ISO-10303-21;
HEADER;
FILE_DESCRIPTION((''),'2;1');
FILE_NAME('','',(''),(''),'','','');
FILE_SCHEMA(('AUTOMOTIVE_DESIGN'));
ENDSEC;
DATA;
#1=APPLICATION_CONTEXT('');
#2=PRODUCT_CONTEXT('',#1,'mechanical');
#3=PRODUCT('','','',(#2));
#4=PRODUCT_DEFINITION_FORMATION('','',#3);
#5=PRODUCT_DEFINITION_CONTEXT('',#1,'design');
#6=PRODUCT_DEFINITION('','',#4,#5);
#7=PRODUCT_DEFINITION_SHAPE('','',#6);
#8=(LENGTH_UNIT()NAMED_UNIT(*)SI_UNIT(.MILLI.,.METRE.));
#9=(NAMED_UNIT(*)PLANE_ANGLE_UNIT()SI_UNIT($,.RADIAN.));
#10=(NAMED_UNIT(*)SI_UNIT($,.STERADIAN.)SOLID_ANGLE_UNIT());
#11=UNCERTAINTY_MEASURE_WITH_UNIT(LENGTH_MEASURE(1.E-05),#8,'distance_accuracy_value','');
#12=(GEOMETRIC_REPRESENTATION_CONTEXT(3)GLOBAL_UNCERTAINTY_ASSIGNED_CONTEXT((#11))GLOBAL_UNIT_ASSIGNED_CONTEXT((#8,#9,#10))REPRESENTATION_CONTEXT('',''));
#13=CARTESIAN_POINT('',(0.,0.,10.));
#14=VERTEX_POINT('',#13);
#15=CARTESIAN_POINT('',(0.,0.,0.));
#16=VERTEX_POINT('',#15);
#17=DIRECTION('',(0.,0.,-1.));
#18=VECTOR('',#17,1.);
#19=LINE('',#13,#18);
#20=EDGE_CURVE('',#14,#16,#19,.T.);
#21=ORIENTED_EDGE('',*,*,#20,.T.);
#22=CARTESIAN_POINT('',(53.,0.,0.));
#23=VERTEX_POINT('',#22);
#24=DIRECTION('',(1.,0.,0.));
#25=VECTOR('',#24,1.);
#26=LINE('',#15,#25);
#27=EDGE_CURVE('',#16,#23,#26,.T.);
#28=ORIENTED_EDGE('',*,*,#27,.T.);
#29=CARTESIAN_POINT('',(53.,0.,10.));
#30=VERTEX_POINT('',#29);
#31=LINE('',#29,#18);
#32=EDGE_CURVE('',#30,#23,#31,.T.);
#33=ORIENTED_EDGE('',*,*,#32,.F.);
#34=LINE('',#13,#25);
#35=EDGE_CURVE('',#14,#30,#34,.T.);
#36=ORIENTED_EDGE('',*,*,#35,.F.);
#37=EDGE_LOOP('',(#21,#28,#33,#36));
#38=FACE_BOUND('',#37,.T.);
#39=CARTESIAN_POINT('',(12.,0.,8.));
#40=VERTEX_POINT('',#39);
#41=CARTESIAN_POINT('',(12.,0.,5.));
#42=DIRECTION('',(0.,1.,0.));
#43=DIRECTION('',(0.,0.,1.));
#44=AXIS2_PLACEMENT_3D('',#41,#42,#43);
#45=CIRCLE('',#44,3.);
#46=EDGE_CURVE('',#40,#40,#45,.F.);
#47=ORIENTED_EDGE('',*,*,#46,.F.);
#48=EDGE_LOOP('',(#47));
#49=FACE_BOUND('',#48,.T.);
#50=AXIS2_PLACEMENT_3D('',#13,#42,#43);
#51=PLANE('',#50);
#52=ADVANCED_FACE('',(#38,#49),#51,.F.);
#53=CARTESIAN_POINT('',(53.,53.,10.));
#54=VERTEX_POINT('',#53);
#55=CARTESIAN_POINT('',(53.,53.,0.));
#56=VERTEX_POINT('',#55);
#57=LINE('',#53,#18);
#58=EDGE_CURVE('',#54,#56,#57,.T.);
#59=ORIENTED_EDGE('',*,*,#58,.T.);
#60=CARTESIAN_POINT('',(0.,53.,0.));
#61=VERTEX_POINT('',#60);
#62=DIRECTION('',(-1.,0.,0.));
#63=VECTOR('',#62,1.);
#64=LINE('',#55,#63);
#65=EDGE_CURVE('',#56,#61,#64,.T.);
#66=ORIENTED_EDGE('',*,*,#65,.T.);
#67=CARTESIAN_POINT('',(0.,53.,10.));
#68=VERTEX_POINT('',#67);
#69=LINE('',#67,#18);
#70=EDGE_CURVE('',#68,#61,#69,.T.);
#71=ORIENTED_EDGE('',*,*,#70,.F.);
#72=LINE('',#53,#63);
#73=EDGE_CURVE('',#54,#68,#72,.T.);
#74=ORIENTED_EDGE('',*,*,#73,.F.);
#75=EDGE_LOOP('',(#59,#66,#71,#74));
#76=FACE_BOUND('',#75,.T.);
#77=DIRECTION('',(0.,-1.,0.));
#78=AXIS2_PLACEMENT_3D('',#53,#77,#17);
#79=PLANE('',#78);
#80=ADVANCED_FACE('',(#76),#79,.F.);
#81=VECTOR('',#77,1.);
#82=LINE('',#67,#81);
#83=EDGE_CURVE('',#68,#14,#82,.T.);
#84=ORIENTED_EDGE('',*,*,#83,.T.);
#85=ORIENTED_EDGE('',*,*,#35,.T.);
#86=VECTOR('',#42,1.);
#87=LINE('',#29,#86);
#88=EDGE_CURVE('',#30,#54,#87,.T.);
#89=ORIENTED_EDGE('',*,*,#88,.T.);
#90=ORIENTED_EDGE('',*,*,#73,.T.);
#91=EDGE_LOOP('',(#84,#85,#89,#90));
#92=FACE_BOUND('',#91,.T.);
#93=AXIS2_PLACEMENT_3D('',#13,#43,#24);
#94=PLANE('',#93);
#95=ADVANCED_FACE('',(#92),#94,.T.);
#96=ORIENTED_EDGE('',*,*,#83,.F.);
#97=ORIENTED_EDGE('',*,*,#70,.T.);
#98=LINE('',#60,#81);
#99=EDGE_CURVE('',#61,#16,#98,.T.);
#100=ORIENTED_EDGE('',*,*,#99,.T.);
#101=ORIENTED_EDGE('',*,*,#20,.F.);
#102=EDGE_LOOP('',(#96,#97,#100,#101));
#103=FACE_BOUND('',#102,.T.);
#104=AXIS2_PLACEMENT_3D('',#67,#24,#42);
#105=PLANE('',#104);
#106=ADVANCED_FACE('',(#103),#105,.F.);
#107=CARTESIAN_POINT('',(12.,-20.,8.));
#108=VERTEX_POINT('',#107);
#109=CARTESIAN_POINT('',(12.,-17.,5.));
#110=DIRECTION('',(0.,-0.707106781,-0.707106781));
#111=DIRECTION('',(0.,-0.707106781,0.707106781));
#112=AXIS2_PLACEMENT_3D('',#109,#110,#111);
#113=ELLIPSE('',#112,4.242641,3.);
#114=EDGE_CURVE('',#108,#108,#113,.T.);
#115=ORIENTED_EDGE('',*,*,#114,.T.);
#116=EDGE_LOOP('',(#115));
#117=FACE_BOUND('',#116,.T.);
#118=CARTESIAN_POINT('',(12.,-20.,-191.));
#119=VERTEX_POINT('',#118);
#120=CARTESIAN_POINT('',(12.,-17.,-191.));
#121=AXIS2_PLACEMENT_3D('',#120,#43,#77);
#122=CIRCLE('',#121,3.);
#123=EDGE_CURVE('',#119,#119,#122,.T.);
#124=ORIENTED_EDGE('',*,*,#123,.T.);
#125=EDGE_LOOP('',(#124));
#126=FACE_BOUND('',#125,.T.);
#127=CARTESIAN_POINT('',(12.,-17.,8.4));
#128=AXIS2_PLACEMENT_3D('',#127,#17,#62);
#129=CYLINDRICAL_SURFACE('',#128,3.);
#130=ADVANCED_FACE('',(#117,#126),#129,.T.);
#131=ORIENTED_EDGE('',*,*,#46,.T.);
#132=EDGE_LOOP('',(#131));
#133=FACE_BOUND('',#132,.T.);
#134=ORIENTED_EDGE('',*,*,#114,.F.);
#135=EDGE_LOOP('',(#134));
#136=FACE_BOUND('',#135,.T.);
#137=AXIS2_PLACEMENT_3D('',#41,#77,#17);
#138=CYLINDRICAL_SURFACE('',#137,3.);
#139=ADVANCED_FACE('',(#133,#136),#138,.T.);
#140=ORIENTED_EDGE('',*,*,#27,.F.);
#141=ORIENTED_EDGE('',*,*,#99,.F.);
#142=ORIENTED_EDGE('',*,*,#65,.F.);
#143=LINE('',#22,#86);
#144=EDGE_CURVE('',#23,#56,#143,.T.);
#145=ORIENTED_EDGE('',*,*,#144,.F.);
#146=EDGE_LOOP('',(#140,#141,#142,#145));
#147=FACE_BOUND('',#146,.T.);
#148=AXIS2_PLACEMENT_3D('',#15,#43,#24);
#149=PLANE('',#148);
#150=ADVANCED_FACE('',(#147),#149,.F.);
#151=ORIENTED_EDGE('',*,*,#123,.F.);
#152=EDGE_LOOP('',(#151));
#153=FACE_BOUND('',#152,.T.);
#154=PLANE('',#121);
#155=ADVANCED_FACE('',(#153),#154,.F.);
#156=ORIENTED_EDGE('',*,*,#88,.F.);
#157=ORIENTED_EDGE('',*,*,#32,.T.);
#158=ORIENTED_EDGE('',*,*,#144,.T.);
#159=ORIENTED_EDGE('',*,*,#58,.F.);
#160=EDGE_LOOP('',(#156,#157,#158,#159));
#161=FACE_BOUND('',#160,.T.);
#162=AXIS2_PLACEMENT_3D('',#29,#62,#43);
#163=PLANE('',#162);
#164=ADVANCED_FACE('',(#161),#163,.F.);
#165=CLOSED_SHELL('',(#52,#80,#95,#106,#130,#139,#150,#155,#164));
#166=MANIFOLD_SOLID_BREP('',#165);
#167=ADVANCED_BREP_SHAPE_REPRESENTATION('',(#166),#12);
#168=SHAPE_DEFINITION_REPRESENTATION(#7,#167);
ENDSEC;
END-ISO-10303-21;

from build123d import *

# Parameters (mm, degrees)
SKETCH_1_W      = 53
SKETCH_1_H      = 53
EXTRUDE_1_DEPTH = 10
SKETCH_2_R      = 3


with BuildPart() as part:
    # 草图1 → 凸台-拉伸1 (new body)
    with BuildSketch(Plane.XY):
        with Locations((26.5, 26.5)):
            Rectangle(SKETCH_1_W, SKETCH_1_H)
    extrude(amount=EXTRUDE_1_DEPTH)

    # 扫描1: sweep along a path in 草图4
    with BuildLine(Plane(origin=(0, 0, 0), x_dir=(0, 0, -1), z_dir=(1, 0, 0))) as sweep_1_path:
        Line((-5, 0), (-5, -17))
        Line((-5, -17), (191, -17))
    # 草图2 → 扫描1 (sweep)
    with BuildSketch(Plane(origin=(0, 0, 0), x_dir=(1, 0, 0), z_dir=(0, 1, 0))):
        with Locations((12, -5)):
            Circle(SKETCH_2_R)
    sweep(path=sweep_1_path.line, transition=Transition.RIGHT)


solid = part.part
